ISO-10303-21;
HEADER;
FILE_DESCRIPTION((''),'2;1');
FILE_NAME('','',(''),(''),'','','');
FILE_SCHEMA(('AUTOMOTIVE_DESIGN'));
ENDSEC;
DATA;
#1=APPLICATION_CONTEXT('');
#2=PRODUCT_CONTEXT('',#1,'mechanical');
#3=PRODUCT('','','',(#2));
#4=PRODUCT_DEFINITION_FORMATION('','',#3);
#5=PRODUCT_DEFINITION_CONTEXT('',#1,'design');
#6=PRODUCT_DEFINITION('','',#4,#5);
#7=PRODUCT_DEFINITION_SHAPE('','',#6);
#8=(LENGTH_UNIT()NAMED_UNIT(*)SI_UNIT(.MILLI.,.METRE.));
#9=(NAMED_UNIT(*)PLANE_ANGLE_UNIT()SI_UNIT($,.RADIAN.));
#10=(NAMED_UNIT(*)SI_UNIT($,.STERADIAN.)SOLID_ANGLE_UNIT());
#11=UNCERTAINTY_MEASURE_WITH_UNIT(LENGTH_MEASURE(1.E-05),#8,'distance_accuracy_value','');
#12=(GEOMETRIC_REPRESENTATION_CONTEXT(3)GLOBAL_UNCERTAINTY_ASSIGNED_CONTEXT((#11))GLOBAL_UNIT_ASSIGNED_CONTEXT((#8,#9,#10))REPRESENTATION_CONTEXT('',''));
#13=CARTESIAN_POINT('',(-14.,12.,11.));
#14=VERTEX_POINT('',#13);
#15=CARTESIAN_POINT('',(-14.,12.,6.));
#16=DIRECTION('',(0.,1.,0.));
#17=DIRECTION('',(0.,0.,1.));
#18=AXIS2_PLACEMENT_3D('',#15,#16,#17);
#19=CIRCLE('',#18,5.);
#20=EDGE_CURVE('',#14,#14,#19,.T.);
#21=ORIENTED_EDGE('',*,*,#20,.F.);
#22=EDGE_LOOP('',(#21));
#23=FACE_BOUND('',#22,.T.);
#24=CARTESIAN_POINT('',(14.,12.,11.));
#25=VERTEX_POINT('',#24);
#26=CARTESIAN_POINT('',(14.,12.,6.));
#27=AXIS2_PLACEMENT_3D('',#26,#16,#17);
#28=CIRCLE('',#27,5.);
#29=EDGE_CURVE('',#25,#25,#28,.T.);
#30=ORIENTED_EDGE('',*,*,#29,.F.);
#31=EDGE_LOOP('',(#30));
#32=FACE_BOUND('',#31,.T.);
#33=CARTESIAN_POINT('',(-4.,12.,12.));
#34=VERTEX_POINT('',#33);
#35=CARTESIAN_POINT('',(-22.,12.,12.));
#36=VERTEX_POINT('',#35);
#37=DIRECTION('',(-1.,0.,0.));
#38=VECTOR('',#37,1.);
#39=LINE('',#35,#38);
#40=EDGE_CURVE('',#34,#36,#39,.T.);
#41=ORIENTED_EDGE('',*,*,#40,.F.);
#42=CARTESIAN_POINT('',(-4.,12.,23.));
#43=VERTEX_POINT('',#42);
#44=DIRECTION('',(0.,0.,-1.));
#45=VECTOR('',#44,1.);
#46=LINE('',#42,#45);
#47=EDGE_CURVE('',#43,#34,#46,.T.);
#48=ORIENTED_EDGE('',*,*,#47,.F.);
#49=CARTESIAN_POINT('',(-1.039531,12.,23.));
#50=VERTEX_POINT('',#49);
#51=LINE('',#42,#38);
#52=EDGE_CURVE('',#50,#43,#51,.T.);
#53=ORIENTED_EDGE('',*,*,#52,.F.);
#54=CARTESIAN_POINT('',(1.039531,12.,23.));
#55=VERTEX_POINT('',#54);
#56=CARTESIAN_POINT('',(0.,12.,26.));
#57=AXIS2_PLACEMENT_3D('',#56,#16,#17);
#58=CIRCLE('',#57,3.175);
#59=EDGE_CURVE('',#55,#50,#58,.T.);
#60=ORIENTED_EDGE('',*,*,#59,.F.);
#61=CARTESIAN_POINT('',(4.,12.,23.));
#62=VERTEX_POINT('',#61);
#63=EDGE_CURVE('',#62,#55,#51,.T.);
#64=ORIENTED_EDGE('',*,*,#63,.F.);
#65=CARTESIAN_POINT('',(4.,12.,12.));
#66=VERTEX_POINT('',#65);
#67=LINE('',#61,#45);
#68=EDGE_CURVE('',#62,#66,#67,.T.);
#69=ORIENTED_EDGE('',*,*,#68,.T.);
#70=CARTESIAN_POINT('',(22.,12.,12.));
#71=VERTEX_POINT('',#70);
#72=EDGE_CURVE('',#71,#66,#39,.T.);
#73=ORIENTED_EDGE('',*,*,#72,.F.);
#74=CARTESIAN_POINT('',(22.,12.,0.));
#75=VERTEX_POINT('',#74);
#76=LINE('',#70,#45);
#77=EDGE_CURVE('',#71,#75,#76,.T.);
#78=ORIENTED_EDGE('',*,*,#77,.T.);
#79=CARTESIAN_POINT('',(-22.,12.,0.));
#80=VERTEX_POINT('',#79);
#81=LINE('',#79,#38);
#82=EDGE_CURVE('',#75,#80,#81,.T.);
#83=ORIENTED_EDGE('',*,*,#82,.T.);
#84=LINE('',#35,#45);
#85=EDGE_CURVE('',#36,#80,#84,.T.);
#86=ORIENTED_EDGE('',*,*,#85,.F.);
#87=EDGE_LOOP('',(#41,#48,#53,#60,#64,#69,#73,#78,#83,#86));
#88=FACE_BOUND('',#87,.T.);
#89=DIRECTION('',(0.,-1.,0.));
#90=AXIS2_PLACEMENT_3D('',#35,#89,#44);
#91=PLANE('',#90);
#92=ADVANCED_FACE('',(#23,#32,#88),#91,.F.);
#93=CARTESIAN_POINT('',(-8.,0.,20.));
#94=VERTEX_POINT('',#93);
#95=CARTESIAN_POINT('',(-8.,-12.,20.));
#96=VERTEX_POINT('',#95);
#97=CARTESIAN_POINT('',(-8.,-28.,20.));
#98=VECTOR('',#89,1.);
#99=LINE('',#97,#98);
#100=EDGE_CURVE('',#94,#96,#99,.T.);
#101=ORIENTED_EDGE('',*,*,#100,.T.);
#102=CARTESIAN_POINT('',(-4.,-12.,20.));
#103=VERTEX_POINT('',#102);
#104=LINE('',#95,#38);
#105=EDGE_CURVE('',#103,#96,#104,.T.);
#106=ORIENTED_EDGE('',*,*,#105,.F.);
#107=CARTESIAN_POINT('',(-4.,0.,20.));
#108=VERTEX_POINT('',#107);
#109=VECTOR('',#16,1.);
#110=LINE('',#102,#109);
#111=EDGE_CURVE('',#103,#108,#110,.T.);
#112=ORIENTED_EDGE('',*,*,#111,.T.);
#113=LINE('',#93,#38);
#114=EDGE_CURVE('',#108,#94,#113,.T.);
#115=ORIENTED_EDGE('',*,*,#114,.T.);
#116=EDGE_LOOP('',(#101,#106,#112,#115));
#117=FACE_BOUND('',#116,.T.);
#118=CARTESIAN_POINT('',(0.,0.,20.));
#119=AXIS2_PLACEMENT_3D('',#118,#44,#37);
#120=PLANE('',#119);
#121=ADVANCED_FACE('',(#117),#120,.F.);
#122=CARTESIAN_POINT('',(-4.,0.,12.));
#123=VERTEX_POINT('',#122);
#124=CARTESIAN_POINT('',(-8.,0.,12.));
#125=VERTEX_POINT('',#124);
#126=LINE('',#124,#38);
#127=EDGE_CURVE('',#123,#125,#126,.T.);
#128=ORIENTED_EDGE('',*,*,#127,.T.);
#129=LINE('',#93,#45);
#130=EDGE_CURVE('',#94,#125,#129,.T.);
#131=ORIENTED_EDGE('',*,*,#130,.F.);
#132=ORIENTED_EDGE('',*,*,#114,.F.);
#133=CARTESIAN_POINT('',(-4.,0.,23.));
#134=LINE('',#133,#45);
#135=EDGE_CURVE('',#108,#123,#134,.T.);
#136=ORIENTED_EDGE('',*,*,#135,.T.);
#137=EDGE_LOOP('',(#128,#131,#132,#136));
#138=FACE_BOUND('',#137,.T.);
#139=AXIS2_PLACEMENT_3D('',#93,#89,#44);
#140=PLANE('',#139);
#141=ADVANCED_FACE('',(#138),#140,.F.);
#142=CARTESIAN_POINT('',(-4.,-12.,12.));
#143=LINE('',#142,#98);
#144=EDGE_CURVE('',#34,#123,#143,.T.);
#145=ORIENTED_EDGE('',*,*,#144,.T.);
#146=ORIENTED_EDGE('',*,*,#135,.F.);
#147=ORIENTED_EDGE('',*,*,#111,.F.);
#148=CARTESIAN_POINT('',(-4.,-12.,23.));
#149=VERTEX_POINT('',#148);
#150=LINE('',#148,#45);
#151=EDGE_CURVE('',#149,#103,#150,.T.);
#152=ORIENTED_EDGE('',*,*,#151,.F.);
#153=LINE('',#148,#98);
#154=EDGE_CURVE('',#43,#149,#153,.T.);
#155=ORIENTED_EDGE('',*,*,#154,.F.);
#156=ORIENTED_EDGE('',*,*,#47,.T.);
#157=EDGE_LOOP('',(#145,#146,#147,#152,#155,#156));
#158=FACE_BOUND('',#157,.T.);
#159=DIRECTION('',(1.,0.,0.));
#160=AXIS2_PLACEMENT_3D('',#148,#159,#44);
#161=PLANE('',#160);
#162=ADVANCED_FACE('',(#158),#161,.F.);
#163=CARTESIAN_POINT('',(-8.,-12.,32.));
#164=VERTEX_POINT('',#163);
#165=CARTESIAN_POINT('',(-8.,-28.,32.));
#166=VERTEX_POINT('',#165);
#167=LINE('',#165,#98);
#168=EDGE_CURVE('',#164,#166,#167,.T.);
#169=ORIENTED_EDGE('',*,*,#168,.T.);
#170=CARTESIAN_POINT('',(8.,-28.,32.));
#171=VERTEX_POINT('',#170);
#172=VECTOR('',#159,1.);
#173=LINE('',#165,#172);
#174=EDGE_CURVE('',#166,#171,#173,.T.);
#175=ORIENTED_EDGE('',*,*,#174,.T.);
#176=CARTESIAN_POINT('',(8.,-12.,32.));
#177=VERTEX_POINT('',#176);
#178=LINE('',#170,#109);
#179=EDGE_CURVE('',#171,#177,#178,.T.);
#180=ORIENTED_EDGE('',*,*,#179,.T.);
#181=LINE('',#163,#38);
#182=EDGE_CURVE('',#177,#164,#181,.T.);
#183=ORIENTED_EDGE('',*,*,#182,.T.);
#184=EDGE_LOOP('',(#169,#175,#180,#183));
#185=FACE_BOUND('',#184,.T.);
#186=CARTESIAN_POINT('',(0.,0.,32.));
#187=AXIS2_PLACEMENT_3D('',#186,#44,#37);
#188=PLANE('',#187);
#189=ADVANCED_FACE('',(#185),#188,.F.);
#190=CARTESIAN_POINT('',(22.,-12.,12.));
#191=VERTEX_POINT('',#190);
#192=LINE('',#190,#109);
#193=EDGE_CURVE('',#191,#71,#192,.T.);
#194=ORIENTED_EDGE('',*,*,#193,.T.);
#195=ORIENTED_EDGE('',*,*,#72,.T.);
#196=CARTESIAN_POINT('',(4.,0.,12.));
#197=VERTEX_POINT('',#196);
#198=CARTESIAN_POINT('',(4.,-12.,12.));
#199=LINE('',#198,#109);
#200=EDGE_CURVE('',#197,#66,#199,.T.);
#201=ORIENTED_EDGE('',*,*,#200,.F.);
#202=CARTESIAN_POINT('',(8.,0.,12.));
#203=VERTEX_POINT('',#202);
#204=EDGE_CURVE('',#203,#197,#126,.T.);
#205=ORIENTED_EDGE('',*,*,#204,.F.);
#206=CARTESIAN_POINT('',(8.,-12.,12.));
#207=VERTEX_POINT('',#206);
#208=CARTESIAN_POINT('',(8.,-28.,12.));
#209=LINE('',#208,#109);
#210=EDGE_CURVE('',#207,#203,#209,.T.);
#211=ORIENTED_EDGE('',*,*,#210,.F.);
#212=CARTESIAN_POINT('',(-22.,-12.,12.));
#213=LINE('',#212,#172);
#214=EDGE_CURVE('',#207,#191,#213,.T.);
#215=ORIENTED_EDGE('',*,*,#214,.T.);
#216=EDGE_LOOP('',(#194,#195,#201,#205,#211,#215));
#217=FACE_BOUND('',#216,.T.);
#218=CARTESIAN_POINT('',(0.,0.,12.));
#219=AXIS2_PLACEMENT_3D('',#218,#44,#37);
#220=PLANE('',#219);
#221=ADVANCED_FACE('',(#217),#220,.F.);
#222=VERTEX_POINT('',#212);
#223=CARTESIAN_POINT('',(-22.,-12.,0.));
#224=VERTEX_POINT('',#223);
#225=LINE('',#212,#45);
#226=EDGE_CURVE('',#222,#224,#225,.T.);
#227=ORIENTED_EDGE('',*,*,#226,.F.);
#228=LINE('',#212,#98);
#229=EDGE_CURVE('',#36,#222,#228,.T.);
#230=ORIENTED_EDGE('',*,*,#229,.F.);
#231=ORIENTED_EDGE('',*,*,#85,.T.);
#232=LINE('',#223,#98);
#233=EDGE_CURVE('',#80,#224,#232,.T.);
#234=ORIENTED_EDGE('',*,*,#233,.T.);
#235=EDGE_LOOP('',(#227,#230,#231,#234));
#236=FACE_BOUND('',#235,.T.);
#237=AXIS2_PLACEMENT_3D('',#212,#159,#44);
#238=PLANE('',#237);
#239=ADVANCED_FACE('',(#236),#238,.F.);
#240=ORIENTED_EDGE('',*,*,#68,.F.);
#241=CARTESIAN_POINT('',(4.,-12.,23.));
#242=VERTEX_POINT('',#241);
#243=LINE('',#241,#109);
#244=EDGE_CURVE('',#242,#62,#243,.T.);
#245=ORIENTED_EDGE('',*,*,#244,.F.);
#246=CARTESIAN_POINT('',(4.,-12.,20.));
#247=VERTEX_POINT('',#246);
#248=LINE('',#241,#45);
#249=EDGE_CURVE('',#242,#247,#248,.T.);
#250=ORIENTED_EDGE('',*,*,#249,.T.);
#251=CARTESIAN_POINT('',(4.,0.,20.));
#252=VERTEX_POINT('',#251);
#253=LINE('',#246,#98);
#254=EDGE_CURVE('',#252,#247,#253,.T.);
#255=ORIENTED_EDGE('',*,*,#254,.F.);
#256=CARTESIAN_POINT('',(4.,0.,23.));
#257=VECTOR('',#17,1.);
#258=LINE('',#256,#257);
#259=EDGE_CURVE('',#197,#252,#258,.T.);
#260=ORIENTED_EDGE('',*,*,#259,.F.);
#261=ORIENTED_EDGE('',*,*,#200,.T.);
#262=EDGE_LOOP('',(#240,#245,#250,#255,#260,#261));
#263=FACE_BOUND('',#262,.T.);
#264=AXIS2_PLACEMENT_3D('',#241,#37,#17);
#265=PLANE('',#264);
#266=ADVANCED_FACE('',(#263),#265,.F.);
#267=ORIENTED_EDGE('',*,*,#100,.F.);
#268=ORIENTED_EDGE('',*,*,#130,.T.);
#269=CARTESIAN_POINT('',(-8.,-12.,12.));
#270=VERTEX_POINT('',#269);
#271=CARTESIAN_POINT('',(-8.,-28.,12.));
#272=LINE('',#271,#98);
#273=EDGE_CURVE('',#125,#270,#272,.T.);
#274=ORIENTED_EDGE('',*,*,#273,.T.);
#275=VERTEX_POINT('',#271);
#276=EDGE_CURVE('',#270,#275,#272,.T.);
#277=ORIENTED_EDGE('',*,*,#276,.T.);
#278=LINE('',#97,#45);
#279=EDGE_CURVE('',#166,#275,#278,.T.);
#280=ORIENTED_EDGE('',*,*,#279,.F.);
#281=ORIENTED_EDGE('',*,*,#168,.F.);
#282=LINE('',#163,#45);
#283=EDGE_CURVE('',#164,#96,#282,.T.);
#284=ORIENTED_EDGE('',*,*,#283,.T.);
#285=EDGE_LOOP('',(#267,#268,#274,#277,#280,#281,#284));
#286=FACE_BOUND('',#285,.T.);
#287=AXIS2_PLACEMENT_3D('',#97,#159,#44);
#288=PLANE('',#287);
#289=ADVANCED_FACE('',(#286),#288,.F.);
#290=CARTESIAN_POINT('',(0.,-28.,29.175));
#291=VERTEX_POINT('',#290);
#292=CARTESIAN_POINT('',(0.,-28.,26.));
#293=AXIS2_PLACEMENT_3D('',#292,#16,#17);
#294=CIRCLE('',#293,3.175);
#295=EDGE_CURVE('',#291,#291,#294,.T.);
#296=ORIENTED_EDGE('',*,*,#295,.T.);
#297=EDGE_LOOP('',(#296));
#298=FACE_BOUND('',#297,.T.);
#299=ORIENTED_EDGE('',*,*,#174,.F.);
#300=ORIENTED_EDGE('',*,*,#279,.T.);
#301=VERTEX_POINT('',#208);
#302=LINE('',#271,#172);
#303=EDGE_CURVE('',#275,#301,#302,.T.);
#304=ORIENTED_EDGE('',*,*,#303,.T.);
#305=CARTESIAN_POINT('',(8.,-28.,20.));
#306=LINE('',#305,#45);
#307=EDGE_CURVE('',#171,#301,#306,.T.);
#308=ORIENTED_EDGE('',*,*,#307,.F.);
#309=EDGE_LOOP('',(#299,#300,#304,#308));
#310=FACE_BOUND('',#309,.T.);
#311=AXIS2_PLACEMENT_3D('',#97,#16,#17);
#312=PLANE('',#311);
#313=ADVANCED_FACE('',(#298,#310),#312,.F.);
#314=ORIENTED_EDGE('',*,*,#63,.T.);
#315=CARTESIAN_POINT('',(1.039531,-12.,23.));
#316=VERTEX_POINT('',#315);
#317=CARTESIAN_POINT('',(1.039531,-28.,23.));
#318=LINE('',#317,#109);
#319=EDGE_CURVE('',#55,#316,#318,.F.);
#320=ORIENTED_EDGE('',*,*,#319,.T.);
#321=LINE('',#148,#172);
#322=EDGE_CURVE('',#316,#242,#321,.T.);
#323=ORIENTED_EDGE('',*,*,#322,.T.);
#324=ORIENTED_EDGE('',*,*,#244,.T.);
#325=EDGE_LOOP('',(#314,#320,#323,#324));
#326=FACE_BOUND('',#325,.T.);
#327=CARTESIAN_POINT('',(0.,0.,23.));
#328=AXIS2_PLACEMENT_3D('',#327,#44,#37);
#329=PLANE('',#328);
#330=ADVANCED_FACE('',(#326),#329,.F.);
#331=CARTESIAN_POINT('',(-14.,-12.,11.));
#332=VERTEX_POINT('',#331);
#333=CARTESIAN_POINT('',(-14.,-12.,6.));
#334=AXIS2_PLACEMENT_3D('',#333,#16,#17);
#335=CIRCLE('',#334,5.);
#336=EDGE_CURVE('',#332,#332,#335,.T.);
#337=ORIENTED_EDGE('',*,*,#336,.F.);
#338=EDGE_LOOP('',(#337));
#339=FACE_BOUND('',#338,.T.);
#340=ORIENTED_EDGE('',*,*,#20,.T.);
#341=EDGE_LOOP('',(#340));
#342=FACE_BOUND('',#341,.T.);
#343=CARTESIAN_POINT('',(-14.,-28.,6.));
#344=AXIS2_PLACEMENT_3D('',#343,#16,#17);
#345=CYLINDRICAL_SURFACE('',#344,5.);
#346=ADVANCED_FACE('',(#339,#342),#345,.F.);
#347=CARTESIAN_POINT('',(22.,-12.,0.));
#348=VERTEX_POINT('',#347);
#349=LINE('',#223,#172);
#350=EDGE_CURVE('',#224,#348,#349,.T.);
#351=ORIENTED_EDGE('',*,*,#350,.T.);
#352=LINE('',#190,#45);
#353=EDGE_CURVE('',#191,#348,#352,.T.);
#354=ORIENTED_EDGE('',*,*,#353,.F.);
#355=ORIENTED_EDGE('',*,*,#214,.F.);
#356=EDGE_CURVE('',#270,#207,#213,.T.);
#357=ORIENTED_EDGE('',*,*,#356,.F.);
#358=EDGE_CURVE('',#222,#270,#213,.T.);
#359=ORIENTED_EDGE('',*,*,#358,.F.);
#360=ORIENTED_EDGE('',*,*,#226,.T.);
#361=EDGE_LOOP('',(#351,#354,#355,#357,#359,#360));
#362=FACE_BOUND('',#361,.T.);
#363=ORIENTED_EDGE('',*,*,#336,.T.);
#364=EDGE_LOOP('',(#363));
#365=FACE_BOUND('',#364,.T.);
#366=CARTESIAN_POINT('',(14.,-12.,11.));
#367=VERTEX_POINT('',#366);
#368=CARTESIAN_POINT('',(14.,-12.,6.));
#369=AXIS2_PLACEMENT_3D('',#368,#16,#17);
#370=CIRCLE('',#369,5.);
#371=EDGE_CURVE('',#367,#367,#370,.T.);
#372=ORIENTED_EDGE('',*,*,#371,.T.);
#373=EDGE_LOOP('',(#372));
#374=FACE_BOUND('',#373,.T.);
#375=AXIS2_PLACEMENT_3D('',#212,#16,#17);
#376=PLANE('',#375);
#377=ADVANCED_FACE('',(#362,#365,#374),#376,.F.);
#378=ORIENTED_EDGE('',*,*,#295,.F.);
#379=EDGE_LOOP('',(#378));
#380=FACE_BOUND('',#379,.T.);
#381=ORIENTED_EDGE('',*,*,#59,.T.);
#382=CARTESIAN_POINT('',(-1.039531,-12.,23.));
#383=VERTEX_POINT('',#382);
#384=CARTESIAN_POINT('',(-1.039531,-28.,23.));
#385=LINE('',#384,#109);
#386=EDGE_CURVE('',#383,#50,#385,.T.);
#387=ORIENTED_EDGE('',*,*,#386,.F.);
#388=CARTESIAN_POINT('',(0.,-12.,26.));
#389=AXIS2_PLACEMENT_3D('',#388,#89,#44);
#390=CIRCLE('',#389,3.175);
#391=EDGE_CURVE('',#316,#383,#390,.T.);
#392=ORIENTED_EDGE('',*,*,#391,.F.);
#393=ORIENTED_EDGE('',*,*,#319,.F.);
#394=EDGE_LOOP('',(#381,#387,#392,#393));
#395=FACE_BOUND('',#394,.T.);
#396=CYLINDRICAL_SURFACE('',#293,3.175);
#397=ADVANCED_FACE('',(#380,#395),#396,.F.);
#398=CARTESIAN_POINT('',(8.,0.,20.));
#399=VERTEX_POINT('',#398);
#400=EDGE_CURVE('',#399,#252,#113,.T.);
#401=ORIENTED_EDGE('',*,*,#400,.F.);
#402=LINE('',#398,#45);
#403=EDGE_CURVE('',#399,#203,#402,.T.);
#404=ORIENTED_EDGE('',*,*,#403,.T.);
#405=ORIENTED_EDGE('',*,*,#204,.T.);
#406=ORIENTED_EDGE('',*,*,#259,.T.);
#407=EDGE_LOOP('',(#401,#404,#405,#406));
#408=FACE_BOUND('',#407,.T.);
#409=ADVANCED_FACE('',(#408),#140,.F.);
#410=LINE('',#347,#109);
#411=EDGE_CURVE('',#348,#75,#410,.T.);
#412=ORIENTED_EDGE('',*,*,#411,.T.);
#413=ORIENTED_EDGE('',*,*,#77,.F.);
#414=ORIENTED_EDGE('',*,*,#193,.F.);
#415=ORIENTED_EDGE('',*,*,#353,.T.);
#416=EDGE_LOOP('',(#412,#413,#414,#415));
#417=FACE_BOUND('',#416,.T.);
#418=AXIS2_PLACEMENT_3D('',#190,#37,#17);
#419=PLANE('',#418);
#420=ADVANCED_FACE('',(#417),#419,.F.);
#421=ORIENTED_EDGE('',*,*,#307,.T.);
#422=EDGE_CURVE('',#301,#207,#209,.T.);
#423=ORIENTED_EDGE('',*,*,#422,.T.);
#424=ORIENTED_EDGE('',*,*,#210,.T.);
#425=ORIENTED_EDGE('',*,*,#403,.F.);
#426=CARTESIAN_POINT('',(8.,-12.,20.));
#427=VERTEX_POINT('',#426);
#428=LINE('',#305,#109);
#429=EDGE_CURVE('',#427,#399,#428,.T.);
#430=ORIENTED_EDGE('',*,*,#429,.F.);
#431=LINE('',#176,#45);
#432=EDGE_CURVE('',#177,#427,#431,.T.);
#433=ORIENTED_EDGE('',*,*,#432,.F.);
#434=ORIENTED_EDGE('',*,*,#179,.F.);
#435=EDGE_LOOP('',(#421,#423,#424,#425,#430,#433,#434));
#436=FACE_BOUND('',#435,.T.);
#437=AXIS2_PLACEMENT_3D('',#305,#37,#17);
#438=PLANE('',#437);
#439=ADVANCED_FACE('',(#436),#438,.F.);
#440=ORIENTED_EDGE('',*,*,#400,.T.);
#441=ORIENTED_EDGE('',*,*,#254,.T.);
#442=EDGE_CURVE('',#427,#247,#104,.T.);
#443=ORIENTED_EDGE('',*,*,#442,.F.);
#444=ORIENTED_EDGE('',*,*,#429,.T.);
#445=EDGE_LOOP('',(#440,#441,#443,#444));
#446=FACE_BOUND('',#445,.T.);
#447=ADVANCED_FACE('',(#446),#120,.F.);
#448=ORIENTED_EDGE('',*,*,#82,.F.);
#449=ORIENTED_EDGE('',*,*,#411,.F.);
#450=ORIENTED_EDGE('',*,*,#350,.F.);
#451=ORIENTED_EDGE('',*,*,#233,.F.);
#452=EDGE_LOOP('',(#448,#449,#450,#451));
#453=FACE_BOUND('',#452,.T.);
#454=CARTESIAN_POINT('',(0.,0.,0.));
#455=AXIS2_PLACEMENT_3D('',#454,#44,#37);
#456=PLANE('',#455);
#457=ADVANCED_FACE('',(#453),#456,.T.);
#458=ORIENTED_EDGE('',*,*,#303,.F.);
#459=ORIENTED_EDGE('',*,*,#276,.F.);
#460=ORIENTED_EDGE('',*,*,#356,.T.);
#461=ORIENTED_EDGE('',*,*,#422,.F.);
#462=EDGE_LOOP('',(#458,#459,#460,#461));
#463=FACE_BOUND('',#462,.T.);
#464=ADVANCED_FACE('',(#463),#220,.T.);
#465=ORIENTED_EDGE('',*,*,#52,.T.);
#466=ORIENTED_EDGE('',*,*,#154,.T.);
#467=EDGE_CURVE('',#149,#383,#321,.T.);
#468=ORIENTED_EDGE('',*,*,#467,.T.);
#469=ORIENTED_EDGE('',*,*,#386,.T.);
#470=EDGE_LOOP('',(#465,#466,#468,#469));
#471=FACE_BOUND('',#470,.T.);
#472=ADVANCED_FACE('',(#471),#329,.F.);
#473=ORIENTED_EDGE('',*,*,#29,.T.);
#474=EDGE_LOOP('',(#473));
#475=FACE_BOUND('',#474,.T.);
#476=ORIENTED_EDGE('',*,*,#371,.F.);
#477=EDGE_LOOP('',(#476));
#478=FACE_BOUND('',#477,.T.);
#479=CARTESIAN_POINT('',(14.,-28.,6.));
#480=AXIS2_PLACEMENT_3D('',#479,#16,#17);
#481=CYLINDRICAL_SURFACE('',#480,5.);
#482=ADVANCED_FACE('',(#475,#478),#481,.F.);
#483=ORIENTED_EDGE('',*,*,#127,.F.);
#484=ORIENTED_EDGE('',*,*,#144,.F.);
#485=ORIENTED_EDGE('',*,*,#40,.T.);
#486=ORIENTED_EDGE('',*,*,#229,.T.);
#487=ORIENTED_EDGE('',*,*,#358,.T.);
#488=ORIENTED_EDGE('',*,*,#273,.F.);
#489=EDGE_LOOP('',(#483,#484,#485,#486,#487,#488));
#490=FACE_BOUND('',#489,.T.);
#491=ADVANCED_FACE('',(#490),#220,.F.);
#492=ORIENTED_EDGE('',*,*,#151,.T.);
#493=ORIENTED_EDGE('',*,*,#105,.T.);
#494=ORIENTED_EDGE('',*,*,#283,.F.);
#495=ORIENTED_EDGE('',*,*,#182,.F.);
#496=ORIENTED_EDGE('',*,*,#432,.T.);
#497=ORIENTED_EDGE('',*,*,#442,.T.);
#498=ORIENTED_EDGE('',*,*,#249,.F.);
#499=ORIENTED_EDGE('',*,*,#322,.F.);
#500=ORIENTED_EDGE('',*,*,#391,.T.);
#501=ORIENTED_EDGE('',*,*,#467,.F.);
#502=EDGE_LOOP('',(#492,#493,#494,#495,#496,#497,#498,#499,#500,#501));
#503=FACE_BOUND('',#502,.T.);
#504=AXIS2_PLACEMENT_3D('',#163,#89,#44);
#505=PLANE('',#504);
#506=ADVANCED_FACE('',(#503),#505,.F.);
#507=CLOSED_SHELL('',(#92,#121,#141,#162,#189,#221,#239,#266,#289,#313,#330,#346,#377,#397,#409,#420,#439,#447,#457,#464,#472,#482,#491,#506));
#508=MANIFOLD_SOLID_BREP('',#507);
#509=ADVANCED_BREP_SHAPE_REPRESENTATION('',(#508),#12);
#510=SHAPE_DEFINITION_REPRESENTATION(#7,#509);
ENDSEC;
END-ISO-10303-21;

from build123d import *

# Parameters (mm, degrees)
SKETCH1_W                                   = 44
SKETCH1_H                                   = 24
CROSSHEAD_BASE_DEPTH                        = 12
SHOE_UPRISER_START                          = 12
SKETCH2_W                                   = 8
SKETCH2_H                                   = 24
SHOE_UPRISER_DEPTH                          = 11
ADAPTER_BRIDGE_START                        = 12
SKETCH3_W                                   = 16
SKETCH3_H                                   = 28
ADAPTER_BRIDGE_DEPTH                        = 8
THREADED_ROD_ADAPTER_START                  = 20
SKETCH4_W                                   = 16
SKETCH4_H                                   = 16
THREADED_ROD_ADAPTER_DEPTH                  = 12
TWO_BRONZE_BUSH_HOUSINGS_DEPTH              = 48.874836814
TWO_BRONZE_BUSH_HOUSINGS_DEPTH_BACK         = 48.874836814
SKETCH5_R                                   = 5
QUARTER20_ADAPTER_MAJOR_ENVELOPE_DEPTH      = 48.874836814
QUARTER20_ADAPTER_MAJOR_ENVELOPE_DEPTH_BACK = 48.874836814
SKETCH6_R                                   = 3.175


with BuildPart() as part:
    # Sketch1 → Crosshead_Base (new body)
    with BuildSketch(Plane.XY):
        Rectangle(SKETCH1_W, SKETCH1_H)
    extrude(amount=CROSSHEAD_BASE_DEPTH)

    # Sketch2 → Shoe_Upriser (add)
    with BuildSketch(Plane.XY.offset(SHOE_UPRISER_START)):
        Rectangle(SKETCH2_W, SKETCH2_H)
    extrude(amount=SHOE_UPRISER_DEPTH)

    # Sketch3 → Adapter_Bridge (add)
    with BuildSketch(Plane.XY.offset(ADAPTER_BRIDGE_START)):
        with Locations((0, -14)):
            Rectangle(SKETCH3_W, SKETCH3_H)
    extrude(amount=ADAPTER_BRIDGE_DEPTH)

    # Sketch4 → Threaded_Rod_Adapter (add)
    with BuildSketch(Plane.XY.offset(THREADED_ROD_ADAPTER_START)):
        with Locations((0, -20)):
            Rectangle(SKETCH4_W, SKETCH4_H)
    extrude(amount=THREADED_ROD_ADAPTER_DEPTH)

    # Sketch5 → Two_Bronze_Bush_Housings (cut, two sides: drawn at the far end of the back side and taken through both)
    with BuildSketch(Plane(origin=(0, 0, 0), x_dir=(1, 0, 0), z_dir=(0, 1, 0)).offset(-TWO_BRONZE_BUSH_HOUSINGS_DEPTH_BACK)):
        with Locations(Location((-14, -6, 0), (0, 0, 270))):
            Circle(SKETCH5_R)
        with Locations(Location((14, -6, 0), (0, 0, 270))):
            Circle(SKETCH5_R)
    extrude(amount=TWO_BRONZE_BUSH_HOUSINGS_DEPTH + TWO_BRONZE_BUSH_HOUSINGS_DEPTH_BACK, mode=Mode.SUBTRACT)

    # Sketch6 → Quarter20_Adapter_Major_Envelope (cut, two sides: drawn at the far end of the back side and taken through both)
    with BuildSketch(Plane(origin=(0, 0, 0), x_dir=(1, 0, 0), z_dir=(0, 1, 0)).offset(-QUARTER20_ADAPTER_MAJOR_ENVELOPE_DEPTH_BACK)):
        with Locations(Location((0, -26, 0), (0, 0, 270))):
            Circle(SKETCH6_R)
    extrude(amount=QUARTER20_ADAPTER_MAJOR_ENVELOPE_DEPTH + QUARTER20_ADAPTER_MAJOR_ENVELOPE_DEPTH_BACK, mode=Mode.SUBTRACT)


solid = part.part
